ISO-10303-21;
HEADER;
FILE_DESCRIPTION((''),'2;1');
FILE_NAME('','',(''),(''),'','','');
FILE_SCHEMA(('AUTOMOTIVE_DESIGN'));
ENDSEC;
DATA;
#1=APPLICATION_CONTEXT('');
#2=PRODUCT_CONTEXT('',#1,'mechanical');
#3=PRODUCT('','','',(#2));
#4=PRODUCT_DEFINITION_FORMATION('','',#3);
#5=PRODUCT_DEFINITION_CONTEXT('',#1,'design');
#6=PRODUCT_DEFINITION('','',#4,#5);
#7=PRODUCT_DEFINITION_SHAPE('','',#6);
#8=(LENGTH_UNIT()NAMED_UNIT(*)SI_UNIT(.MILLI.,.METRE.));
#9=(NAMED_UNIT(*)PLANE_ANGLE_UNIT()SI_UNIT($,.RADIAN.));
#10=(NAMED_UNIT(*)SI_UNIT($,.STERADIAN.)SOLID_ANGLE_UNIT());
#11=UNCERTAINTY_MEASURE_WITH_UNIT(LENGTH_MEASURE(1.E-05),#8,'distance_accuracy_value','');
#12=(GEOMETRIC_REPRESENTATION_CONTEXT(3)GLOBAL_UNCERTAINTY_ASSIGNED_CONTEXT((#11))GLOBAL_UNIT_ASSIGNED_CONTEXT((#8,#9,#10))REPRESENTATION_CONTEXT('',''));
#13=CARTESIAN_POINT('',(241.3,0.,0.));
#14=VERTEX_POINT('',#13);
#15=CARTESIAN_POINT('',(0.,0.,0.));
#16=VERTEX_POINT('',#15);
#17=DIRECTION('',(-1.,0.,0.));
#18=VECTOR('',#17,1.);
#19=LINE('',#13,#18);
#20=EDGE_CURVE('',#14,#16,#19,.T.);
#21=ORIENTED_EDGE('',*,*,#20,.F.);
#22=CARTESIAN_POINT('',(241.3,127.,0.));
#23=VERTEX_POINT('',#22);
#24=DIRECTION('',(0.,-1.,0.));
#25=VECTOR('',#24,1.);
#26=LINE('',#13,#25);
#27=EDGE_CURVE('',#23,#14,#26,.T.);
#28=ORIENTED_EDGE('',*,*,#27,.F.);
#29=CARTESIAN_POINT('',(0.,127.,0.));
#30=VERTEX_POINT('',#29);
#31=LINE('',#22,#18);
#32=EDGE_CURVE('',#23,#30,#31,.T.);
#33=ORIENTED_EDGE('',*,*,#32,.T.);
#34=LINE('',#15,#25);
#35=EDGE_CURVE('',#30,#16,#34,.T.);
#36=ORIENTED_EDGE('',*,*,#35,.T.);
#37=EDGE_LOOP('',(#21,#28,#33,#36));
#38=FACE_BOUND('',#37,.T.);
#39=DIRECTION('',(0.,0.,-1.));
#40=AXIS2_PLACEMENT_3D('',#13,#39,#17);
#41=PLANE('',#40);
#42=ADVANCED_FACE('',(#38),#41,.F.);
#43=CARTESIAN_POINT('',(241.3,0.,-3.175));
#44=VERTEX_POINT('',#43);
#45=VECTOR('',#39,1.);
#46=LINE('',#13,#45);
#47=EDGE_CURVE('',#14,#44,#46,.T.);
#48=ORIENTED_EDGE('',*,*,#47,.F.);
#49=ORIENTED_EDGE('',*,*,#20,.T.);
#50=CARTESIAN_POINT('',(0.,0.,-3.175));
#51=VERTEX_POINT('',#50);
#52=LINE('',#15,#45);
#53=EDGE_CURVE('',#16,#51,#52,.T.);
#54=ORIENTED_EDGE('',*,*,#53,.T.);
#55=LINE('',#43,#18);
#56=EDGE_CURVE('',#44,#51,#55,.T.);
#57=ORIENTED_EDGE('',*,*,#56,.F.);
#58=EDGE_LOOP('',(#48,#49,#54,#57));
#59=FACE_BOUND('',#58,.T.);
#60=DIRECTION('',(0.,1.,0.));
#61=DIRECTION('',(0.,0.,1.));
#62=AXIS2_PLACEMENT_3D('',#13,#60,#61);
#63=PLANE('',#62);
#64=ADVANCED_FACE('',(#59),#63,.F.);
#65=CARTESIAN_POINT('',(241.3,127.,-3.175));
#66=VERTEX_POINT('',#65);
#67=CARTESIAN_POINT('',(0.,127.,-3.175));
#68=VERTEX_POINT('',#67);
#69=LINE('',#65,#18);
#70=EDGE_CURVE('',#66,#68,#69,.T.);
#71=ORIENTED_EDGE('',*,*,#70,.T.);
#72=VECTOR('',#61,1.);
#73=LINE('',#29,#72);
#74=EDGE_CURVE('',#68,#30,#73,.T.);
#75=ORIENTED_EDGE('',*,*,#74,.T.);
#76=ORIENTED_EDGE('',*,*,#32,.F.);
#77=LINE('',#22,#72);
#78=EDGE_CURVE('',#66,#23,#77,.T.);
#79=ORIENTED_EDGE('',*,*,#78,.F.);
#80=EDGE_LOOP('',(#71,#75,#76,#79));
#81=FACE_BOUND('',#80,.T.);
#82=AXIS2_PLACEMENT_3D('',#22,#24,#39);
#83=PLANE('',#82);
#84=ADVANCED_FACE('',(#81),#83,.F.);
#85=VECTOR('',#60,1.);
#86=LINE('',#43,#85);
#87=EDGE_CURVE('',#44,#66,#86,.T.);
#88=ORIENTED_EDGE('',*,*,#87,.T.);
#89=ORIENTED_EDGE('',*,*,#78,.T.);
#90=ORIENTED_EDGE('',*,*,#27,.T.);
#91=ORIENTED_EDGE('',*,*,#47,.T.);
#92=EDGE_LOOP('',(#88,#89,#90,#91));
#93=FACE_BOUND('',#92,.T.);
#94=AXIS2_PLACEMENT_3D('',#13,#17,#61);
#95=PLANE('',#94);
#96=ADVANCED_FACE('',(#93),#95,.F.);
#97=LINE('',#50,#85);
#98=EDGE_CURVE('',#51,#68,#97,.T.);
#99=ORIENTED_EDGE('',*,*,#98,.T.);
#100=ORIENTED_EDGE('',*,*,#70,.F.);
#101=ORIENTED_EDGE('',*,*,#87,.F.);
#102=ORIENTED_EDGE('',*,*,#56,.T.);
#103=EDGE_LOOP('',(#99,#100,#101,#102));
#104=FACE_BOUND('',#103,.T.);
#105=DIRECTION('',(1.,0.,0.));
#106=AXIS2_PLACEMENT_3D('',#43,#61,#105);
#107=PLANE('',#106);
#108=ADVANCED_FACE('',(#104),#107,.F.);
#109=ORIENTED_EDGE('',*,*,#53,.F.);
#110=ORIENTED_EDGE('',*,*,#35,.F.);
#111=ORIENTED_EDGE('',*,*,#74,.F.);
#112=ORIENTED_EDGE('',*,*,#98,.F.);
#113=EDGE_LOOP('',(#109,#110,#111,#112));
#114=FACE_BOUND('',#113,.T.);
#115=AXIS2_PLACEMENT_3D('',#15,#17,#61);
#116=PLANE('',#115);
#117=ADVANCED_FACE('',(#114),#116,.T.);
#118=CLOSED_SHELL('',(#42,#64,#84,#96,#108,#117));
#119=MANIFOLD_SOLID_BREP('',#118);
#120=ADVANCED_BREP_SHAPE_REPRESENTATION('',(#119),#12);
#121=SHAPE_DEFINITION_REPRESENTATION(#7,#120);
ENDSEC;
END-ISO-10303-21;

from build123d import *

# Parameters (mm, degrees)
SKETCH1_W           = 3.175
SKETCH1_H           = 127
BOSS_EXTRUDE1_DEPTH = 241.3


with BuildPart() as part:
    # Sketch1 → Boss-Extrude1 (new body)
    with BuildSketch(Plane(origin=(0, 0, 0), x_dir=(0, 0, -1), z_dir=(1, 0, 0))):
        with Locations((1.5875, 63.5)):
            Rectangle(SKETCH1_W, SKETCH1_H)
    extrude(amount=BOSS_EXTRUDE1_DEPTH)


solid = part.part
